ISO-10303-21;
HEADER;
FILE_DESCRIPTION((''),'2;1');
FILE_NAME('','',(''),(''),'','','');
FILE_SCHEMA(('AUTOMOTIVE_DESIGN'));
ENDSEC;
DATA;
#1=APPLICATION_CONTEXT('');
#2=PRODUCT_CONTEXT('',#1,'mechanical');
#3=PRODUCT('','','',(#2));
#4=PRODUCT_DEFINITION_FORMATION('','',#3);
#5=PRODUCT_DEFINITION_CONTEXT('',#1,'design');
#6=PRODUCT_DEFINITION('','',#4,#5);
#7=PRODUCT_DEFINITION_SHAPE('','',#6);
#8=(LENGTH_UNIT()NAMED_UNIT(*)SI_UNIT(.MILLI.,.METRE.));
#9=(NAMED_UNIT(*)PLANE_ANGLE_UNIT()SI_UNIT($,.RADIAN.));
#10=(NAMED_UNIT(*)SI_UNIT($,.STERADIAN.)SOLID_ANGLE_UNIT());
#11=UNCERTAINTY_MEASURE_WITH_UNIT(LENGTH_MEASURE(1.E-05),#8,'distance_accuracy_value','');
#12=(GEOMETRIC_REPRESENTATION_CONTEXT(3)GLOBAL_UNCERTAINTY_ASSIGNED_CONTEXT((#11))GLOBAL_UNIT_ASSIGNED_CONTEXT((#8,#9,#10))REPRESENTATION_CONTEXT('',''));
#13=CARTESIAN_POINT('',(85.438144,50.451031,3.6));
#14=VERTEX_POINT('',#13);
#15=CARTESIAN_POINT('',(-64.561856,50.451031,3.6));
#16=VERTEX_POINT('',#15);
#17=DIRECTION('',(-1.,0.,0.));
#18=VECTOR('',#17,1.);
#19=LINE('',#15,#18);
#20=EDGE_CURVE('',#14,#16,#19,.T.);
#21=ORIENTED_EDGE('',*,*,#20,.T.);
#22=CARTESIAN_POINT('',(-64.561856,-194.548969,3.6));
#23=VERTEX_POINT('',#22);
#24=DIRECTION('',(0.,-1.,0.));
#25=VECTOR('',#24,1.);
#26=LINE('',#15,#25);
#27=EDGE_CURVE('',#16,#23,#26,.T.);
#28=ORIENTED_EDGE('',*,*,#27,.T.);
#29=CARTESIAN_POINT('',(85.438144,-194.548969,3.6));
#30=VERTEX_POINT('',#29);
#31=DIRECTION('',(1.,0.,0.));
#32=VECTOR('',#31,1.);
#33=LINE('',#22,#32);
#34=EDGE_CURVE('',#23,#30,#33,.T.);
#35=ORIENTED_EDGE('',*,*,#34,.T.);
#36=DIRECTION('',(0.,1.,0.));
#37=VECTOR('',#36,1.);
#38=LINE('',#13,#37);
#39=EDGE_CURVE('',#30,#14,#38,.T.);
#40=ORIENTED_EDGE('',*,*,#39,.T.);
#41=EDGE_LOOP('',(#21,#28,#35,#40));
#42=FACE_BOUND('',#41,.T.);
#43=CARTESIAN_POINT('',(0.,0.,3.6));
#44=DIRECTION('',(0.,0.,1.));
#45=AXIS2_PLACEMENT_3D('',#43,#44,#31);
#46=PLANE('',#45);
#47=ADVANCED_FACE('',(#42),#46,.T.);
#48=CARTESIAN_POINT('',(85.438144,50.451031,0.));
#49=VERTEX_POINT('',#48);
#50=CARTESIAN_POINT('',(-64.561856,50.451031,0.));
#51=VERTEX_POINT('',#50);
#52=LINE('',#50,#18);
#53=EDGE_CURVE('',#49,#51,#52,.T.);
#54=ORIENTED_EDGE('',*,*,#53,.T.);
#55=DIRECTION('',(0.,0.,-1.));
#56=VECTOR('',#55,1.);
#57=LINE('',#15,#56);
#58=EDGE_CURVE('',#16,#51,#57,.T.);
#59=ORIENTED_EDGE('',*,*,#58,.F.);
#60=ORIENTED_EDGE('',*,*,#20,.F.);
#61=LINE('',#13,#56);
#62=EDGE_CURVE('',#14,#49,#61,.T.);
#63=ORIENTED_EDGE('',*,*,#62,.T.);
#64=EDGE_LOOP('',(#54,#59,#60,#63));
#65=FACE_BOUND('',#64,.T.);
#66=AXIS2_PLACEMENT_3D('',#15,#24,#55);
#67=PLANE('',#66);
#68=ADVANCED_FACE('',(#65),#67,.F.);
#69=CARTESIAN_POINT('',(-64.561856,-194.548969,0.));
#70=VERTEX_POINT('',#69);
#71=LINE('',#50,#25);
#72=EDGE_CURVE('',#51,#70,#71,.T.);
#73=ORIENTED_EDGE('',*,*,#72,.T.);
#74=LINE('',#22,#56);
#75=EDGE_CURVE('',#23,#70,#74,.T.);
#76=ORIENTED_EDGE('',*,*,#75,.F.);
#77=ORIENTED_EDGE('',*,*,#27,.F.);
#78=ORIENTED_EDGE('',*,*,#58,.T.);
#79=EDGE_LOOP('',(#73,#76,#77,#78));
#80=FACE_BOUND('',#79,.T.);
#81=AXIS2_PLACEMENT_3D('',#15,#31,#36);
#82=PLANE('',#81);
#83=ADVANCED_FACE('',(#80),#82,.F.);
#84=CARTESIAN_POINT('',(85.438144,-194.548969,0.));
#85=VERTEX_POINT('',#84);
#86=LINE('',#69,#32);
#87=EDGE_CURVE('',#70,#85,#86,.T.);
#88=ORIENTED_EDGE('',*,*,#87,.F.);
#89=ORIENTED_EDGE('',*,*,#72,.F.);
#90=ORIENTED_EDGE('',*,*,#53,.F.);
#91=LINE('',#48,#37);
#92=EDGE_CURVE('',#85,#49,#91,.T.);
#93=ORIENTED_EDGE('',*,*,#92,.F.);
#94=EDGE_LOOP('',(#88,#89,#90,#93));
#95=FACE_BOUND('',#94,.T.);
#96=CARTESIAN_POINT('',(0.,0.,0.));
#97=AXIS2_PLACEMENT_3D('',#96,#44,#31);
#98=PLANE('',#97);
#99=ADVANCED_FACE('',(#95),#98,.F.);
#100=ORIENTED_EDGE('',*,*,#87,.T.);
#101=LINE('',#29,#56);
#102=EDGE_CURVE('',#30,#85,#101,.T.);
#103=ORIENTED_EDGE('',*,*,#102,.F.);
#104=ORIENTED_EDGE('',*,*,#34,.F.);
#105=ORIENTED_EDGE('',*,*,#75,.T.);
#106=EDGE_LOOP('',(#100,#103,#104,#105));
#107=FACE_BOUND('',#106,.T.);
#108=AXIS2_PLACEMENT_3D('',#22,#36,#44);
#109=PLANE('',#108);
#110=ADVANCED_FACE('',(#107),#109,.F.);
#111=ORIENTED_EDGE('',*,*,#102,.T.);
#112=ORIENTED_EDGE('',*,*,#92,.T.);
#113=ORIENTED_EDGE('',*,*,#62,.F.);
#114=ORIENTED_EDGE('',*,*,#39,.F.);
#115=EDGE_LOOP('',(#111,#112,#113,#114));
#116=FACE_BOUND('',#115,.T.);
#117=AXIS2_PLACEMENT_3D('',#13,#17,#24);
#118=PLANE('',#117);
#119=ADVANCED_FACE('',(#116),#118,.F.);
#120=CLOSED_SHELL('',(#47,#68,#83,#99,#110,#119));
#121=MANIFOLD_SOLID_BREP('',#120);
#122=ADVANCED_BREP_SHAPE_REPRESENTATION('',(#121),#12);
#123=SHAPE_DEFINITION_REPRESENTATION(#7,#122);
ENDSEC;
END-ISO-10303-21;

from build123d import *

# Parameters (mm, degrees)
SKETCH_1_W      = 150
SKETCH_1_H      = 245
EXTRUDE_1_DEPTH = 3.6


with BuildPart() as part:
    # 草图1 → 凸台-拉伸1 (new body)
    with BuildSketch(Plane.XY):
        with Locations((10.43814433, -72.048969072)):
            Rectangle(SKETCH_1_W, SKETCH_1_H)
    extrude(amount=EXTRUDE_1_DEPTH)


solid = part.part
